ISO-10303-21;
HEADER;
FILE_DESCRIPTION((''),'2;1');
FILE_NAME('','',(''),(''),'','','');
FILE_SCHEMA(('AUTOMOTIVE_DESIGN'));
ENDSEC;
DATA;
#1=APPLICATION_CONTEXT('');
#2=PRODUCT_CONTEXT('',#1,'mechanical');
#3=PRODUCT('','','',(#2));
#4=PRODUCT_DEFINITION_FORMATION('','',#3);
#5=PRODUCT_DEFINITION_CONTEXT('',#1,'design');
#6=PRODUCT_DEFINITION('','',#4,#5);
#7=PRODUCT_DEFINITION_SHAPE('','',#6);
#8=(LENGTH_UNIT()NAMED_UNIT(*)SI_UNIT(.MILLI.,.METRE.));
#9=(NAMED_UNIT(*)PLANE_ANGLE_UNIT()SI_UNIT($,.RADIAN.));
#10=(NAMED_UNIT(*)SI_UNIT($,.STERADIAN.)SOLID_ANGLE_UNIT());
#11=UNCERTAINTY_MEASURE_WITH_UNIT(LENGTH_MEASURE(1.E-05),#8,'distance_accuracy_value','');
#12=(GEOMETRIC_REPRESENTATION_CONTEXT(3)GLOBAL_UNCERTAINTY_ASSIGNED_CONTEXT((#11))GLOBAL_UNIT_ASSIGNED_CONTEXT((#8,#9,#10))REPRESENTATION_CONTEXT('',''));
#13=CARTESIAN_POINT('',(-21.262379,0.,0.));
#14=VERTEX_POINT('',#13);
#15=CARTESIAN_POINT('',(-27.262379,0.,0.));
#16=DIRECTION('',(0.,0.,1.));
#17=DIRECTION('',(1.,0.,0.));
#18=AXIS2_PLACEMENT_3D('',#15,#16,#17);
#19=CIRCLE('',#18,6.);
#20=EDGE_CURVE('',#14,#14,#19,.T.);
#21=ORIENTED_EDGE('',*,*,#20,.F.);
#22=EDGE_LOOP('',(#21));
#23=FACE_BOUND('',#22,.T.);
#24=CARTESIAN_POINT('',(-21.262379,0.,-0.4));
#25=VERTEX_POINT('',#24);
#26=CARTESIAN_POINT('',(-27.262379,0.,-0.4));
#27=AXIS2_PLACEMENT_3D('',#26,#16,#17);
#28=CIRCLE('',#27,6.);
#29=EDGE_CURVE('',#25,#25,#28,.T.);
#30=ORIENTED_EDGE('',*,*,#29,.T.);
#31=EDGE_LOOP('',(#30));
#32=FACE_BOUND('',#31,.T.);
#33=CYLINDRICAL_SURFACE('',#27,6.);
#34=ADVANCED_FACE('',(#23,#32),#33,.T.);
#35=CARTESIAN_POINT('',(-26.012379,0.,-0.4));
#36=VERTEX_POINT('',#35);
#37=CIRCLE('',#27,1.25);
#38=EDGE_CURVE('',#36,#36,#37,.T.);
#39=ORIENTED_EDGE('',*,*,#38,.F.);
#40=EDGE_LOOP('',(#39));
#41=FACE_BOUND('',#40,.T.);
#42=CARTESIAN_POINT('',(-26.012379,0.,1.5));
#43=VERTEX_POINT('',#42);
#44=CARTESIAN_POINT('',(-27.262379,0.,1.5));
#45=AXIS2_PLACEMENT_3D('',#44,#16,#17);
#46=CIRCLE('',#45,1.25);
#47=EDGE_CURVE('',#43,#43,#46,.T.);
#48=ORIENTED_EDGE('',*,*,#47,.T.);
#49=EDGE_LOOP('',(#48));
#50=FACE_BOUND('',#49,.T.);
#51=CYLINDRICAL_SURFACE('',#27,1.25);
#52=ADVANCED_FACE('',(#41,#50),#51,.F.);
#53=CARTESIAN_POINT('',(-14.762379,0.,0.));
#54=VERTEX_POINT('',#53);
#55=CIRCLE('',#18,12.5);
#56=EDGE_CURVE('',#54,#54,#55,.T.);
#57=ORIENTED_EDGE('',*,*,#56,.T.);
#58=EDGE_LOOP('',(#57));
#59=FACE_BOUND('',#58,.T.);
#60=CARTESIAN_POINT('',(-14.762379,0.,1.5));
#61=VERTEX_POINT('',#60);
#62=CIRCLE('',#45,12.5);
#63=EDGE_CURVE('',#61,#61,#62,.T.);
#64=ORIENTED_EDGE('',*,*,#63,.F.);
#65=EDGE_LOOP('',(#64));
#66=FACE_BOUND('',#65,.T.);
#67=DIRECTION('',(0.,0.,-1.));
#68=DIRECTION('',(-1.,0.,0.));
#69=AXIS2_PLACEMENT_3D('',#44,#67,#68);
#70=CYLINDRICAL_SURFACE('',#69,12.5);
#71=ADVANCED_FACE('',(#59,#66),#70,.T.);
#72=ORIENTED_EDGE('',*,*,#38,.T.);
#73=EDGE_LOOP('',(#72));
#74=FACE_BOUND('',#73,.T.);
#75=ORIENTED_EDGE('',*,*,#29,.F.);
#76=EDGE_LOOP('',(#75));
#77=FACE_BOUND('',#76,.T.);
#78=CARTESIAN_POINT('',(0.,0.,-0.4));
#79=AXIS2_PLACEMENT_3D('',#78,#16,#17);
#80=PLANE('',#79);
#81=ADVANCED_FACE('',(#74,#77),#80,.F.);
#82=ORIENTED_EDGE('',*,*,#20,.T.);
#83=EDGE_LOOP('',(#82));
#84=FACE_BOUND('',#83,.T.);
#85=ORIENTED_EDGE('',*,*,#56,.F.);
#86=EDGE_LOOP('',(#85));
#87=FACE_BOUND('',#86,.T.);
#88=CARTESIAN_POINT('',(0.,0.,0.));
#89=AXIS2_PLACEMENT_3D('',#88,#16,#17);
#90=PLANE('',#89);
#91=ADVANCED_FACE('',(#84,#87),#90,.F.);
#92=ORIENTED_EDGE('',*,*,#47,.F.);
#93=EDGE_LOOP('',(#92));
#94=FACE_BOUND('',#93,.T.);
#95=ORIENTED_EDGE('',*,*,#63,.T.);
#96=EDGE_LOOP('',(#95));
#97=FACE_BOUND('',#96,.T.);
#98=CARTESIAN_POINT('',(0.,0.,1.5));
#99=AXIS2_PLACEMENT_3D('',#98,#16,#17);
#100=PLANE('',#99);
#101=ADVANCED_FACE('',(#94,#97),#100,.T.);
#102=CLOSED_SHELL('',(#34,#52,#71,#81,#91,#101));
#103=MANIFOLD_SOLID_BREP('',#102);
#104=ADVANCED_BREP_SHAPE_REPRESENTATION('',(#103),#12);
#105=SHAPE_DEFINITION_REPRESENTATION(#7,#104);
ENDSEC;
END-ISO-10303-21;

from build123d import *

# Parameters (mm, degrees)
SKETCH1_R           = 6
SKETCH1_R_2         = 1.25
BOSS_EXTRUDE1_DEPTH = 0.4
BOSS_EXTRUDE2_START = 1.5
SKETCH1_3_R         = 12.5
SKETCH1_3_R_2       = 1.25
BOSS_EXTRUDE2_DEPTH = 1.5


with BuildPart() as part:
    # Sketch1 → Boss-Extrude1 (new body)
    with BuildSketch(Plane.XY):
        with Locations((-27.262378968, 0)):
            Circle(SKETCH1_R)
        with Locations((-27.262378968, 0)):
            Circle(SKETCH1_R_2, mode=Mode.SUBTRACT)
    extrude(amount=-BOSS_EXTRUDE1_DEPTH)

    # Sketch1<3> → Boss-Extrude2 (add)
    with BuildSketch(Plane.XY.offset(BOSS_EXTRUDE2_START)):
        with Locations((-27.262378968, 0)):
            Circle(SKETCH1_3_R)
        with Locations((-27.262378968, 0)):
            Circle(SKETCH1_3_R_2, mode=Mode.SUBTRACT)
    extrude(amount=-BOSS_EXTRUDE2_DEPTH)


solid = part.part
